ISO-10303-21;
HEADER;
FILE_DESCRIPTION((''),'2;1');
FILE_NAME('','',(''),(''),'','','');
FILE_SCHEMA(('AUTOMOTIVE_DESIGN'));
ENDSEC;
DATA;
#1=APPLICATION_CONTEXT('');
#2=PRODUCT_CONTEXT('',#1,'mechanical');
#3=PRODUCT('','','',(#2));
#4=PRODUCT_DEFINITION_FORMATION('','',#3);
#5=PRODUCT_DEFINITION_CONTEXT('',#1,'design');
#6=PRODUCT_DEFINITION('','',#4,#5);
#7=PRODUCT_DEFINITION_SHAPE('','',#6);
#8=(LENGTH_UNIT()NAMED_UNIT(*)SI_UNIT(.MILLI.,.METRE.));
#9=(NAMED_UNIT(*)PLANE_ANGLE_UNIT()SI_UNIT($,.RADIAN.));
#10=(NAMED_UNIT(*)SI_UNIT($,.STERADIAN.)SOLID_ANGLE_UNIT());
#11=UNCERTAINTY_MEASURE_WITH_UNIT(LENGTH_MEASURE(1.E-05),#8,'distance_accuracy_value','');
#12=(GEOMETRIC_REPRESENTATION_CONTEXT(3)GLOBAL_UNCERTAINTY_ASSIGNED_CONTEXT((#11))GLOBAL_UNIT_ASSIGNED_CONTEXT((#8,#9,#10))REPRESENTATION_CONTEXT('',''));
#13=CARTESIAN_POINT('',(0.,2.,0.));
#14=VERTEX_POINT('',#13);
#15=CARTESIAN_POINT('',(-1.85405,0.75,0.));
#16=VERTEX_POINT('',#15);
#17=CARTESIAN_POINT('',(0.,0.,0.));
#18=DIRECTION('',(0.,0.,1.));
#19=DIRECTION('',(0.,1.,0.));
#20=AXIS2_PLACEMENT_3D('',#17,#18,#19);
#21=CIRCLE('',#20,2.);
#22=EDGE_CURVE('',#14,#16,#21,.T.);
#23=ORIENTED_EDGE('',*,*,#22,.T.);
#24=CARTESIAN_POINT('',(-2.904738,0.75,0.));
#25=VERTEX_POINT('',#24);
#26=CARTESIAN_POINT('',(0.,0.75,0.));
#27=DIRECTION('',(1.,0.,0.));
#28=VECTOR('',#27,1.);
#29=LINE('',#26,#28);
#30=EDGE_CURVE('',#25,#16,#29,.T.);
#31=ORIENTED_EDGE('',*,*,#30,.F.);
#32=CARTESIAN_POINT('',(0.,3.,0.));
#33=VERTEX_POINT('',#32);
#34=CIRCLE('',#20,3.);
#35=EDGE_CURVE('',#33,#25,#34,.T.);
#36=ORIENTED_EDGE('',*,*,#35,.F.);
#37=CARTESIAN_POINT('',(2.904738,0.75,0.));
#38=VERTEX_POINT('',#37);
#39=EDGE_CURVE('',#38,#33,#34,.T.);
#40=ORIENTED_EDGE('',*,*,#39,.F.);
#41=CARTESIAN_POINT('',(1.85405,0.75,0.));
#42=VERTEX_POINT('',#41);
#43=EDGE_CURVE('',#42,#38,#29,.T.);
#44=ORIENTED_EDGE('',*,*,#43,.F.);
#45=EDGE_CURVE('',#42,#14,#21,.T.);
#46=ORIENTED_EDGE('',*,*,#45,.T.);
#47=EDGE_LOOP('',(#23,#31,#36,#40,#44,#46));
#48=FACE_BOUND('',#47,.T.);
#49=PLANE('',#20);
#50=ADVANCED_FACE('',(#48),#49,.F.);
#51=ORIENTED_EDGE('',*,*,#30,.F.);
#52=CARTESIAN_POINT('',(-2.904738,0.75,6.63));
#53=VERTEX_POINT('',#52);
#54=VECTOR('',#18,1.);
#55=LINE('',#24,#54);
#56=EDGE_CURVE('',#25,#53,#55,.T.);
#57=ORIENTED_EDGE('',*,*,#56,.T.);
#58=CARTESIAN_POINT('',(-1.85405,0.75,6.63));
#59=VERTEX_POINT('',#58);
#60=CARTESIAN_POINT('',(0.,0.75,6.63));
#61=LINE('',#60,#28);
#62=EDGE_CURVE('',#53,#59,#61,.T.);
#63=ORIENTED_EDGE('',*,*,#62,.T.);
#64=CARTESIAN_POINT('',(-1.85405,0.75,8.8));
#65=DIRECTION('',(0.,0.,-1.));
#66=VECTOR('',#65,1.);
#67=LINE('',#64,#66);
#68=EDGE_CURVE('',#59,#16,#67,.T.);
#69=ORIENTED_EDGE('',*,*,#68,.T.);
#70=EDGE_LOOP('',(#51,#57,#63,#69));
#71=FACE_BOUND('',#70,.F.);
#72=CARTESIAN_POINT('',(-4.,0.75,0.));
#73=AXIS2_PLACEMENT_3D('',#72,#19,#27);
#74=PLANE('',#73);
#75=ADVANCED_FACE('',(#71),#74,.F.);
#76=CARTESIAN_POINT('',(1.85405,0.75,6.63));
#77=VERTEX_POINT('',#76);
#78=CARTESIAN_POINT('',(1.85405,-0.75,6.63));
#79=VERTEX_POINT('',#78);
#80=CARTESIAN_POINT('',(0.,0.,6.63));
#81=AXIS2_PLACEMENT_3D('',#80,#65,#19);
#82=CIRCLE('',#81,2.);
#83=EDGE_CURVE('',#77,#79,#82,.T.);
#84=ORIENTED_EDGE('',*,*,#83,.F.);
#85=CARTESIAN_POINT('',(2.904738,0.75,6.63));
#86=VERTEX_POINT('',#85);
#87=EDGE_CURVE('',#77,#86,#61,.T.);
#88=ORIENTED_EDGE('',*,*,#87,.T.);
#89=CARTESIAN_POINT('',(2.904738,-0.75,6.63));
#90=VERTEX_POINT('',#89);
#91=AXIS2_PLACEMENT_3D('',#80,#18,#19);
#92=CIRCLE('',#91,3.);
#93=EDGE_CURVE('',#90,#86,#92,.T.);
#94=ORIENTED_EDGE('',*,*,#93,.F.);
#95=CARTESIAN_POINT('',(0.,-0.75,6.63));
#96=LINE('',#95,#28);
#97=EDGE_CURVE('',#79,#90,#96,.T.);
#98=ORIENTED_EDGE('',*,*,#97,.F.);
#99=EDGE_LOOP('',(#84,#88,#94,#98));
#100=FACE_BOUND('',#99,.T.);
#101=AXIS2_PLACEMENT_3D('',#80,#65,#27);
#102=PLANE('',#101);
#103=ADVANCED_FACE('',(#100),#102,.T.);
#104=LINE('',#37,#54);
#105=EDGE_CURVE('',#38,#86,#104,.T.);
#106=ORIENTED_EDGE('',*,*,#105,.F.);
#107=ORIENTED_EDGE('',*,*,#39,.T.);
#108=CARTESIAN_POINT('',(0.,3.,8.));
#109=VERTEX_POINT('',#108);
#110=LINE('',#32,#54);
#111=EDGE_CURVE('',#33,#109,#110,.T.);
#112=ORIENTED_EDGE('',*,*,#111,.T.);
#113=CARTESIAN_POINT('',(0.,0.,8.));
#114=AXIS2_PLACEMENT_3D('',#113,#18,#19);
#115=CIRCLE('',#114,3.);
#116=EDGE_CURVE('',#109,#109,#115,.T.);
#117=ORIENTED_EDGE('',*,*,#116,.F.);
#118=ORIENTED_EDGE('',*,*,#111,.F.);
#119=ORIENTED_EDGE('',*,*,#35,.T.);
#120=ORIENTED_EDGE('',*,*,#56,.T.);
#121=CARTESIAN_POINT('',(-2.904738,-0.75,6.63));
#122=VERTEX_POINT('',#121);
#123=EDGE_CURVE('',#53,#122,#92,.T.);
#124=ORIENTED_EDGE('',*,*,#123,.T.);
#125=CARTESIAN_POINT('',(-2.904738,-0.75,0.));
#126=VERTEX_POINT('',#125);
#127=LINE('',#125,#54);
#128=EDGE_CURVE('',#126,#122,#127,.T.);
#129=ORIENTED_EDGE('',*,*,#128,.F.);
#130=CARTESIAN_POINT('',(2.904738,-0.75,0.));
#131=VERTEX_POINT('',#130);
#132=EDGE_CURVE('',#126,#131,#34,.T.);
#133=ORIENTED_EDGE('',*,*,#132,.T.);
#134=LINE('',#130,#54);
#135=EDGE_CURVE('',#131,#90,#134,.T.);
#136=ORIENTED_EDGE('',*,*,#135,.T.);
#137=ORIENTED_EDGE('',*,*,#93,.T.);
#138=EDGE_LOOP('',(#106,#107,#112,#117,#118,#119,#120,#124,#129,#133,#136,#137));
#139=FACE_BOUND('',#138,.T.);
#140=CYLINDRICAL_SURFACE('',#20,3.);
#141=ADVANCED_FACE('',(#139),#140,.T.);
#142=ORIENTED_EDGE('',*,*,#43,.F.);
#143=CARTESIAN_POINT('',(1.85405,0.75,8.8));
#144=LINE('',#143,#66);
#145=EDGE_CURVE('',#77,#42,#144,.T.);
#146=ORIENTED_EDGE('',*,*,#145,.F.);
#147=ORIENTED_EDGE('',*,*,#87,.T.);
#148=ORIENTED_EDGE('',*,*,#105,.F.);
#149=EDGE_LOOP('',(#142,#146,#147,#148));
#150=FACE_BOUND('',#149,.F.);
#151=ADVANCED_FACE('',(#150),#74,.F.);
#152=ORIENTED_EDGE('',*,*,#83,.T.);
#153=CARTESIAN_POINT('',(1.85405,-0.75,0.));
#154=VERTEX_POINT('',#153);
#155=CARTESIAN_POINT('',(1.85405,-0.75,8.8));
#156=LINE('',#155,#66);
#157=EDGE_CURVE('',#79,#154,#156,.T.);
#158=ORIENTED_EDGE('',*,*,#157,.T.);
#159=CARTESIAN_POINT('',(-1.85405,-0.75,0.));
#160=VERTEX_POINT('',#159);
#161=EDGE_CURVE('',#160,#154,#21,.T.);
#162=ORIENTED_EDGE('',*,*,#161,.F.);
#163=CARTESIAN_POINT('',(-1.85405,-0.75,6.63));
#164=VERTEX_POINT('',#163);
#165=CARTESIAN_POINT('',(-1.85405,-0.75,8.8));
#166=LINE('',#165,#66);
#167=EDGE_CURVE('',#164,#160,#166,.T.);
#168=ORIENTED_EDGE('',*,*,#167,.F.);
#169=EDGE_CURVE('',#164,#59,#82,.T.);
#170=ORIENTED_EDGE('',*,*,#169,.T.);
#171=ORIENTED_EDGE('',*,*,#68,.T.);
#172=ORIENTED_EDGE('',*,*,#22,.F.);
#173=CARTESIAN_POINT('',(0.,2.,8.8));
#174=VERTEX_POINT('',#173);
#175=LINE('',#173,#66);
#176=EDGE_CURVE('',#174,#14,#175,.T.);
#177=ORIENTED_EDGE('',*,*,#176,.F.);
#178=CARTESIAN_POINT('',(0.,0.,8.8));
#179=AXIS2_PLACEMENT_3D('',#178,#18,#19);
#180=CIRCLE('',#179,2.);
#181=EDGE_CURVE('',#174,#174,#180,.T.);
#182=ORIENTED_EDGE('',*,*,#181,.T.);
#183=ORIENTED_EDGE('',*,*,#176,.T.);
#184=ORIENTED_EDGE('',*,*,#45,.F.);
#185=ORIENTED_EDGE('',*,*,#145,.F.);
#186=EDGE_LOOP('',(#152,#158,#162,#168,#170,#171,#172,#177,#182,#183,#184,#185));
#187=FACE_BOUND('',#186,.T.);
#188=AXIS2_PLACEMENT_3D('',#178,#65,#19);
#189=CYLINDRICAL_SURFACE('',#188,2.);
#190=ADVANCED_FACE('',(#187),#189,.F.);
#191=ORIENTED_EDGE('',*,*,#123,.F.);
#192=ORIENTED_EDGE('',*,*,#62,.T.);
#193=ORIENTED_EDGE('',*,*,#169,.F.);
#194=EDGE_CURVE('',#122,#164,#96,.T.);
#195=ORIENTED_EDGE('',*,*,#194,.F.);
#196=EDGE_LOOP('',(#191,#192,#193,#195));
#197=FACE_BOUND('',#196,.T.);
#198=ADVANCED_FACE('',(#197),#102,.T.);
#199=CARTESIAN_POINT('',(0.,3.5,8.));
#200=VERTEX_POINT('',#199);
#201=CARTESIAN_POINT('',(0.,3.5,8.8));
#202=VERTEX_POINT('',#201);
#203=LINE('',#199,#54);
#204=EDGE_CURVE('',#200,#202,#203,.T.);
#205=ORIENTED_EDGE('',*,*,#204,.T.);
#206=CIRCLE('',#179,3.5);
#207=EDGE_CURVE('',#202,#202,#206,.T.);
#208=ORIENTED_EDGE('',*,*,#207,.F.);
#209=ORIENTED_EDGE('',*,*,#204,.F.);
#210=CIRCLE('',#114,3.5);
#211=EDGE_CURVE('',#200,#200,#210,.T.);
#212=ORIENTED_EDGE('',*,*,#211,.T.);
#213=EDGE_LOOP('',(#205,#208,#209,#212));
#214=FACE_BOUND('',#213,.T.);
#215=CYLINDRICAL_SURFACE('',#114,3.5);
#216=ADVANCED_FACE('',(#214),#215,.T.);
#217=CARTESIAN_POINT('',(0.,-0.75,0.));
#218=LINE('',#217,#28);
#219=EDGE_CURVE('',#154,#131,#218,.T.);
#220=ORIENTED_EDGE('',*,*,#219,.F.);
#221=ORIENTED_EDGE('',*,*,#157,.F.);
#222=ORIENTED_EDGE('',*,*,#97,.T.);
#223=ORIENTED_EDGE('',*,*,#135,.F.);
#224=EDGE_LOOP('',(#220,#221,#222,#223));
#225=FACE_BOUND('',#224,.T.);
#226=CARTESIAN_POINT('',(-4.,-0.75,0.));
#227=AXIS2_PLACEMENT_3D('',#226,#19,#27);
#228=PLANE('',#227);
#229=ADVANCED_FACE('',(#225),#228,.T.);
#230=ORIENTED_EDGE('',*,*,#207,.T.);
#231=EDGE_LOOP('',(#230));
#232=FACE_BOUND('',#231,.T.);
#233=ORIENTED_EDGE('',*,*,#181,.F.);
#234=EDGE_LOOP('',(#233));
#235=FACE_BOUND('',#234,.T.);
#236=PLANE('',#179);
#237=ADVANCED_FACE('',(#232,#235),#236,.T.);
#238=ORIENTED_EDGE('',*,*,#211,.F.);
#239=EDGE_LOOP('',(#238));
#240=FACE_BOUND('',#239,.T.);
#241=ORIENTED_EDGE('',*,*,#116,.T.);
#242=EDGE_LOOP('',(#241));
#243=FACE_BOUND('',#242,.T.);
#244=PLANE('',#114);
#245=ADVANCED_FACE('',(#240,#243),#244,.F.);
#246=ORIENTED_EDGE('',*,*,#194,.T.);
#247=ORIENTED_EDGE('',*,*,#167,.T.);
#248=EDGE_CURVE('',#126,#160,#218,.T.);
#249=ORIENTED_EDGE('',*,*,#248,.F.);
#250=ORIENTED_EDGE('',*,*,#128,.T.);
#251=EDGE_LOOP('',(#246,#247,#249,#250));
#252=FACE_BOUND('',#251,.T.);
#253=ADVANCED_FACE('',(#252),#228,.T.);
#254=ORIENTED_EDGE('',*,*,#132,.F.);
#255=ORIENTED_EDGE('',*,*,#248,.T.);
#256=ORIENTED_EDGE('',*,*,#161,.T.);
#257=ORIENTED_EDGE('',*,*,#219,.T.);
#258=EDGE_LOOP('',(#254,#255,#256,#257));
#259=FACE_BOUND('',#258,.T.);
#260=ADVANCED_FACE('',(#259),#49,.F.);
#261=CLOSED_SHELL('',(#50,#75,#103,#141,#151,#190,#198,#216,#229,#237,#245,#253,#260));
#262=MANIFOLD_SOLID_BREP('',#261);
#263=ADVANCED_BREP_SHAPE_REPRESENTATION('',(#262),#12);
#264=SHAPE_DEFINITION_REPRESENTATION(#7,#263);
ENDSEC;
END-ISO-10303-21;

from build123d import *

# Parameters (mm, degrees)
F2_W     = 8
F2_H     = 1.5
F3_DEPTH = 6.63


with BuildPart() as f1:
    # F0 (on Right) → F1 (revolve)
    with BuildSketch(Plane.YZ):
        Polygon((2, 8.8), (2, 0), (3, 0), (3, 8), (3.5, 8), (3.5, 8.8), align=None)
    revolve(axis=Axis((0, 0, 4.285715), (0, 0, 1)))

    # F2 (on face) → F3 (cut)
    with BuildSketch(Plane(origin=(0, 0, 0), x_dir=(1, 0, 0), z_dir=(0, 0, -1))):
        Rectangle(F2_W, F2_H)
    extrude(amount=-F3_DEPTH, mode=Mode.SUBTRACT)


solid = f1.part
